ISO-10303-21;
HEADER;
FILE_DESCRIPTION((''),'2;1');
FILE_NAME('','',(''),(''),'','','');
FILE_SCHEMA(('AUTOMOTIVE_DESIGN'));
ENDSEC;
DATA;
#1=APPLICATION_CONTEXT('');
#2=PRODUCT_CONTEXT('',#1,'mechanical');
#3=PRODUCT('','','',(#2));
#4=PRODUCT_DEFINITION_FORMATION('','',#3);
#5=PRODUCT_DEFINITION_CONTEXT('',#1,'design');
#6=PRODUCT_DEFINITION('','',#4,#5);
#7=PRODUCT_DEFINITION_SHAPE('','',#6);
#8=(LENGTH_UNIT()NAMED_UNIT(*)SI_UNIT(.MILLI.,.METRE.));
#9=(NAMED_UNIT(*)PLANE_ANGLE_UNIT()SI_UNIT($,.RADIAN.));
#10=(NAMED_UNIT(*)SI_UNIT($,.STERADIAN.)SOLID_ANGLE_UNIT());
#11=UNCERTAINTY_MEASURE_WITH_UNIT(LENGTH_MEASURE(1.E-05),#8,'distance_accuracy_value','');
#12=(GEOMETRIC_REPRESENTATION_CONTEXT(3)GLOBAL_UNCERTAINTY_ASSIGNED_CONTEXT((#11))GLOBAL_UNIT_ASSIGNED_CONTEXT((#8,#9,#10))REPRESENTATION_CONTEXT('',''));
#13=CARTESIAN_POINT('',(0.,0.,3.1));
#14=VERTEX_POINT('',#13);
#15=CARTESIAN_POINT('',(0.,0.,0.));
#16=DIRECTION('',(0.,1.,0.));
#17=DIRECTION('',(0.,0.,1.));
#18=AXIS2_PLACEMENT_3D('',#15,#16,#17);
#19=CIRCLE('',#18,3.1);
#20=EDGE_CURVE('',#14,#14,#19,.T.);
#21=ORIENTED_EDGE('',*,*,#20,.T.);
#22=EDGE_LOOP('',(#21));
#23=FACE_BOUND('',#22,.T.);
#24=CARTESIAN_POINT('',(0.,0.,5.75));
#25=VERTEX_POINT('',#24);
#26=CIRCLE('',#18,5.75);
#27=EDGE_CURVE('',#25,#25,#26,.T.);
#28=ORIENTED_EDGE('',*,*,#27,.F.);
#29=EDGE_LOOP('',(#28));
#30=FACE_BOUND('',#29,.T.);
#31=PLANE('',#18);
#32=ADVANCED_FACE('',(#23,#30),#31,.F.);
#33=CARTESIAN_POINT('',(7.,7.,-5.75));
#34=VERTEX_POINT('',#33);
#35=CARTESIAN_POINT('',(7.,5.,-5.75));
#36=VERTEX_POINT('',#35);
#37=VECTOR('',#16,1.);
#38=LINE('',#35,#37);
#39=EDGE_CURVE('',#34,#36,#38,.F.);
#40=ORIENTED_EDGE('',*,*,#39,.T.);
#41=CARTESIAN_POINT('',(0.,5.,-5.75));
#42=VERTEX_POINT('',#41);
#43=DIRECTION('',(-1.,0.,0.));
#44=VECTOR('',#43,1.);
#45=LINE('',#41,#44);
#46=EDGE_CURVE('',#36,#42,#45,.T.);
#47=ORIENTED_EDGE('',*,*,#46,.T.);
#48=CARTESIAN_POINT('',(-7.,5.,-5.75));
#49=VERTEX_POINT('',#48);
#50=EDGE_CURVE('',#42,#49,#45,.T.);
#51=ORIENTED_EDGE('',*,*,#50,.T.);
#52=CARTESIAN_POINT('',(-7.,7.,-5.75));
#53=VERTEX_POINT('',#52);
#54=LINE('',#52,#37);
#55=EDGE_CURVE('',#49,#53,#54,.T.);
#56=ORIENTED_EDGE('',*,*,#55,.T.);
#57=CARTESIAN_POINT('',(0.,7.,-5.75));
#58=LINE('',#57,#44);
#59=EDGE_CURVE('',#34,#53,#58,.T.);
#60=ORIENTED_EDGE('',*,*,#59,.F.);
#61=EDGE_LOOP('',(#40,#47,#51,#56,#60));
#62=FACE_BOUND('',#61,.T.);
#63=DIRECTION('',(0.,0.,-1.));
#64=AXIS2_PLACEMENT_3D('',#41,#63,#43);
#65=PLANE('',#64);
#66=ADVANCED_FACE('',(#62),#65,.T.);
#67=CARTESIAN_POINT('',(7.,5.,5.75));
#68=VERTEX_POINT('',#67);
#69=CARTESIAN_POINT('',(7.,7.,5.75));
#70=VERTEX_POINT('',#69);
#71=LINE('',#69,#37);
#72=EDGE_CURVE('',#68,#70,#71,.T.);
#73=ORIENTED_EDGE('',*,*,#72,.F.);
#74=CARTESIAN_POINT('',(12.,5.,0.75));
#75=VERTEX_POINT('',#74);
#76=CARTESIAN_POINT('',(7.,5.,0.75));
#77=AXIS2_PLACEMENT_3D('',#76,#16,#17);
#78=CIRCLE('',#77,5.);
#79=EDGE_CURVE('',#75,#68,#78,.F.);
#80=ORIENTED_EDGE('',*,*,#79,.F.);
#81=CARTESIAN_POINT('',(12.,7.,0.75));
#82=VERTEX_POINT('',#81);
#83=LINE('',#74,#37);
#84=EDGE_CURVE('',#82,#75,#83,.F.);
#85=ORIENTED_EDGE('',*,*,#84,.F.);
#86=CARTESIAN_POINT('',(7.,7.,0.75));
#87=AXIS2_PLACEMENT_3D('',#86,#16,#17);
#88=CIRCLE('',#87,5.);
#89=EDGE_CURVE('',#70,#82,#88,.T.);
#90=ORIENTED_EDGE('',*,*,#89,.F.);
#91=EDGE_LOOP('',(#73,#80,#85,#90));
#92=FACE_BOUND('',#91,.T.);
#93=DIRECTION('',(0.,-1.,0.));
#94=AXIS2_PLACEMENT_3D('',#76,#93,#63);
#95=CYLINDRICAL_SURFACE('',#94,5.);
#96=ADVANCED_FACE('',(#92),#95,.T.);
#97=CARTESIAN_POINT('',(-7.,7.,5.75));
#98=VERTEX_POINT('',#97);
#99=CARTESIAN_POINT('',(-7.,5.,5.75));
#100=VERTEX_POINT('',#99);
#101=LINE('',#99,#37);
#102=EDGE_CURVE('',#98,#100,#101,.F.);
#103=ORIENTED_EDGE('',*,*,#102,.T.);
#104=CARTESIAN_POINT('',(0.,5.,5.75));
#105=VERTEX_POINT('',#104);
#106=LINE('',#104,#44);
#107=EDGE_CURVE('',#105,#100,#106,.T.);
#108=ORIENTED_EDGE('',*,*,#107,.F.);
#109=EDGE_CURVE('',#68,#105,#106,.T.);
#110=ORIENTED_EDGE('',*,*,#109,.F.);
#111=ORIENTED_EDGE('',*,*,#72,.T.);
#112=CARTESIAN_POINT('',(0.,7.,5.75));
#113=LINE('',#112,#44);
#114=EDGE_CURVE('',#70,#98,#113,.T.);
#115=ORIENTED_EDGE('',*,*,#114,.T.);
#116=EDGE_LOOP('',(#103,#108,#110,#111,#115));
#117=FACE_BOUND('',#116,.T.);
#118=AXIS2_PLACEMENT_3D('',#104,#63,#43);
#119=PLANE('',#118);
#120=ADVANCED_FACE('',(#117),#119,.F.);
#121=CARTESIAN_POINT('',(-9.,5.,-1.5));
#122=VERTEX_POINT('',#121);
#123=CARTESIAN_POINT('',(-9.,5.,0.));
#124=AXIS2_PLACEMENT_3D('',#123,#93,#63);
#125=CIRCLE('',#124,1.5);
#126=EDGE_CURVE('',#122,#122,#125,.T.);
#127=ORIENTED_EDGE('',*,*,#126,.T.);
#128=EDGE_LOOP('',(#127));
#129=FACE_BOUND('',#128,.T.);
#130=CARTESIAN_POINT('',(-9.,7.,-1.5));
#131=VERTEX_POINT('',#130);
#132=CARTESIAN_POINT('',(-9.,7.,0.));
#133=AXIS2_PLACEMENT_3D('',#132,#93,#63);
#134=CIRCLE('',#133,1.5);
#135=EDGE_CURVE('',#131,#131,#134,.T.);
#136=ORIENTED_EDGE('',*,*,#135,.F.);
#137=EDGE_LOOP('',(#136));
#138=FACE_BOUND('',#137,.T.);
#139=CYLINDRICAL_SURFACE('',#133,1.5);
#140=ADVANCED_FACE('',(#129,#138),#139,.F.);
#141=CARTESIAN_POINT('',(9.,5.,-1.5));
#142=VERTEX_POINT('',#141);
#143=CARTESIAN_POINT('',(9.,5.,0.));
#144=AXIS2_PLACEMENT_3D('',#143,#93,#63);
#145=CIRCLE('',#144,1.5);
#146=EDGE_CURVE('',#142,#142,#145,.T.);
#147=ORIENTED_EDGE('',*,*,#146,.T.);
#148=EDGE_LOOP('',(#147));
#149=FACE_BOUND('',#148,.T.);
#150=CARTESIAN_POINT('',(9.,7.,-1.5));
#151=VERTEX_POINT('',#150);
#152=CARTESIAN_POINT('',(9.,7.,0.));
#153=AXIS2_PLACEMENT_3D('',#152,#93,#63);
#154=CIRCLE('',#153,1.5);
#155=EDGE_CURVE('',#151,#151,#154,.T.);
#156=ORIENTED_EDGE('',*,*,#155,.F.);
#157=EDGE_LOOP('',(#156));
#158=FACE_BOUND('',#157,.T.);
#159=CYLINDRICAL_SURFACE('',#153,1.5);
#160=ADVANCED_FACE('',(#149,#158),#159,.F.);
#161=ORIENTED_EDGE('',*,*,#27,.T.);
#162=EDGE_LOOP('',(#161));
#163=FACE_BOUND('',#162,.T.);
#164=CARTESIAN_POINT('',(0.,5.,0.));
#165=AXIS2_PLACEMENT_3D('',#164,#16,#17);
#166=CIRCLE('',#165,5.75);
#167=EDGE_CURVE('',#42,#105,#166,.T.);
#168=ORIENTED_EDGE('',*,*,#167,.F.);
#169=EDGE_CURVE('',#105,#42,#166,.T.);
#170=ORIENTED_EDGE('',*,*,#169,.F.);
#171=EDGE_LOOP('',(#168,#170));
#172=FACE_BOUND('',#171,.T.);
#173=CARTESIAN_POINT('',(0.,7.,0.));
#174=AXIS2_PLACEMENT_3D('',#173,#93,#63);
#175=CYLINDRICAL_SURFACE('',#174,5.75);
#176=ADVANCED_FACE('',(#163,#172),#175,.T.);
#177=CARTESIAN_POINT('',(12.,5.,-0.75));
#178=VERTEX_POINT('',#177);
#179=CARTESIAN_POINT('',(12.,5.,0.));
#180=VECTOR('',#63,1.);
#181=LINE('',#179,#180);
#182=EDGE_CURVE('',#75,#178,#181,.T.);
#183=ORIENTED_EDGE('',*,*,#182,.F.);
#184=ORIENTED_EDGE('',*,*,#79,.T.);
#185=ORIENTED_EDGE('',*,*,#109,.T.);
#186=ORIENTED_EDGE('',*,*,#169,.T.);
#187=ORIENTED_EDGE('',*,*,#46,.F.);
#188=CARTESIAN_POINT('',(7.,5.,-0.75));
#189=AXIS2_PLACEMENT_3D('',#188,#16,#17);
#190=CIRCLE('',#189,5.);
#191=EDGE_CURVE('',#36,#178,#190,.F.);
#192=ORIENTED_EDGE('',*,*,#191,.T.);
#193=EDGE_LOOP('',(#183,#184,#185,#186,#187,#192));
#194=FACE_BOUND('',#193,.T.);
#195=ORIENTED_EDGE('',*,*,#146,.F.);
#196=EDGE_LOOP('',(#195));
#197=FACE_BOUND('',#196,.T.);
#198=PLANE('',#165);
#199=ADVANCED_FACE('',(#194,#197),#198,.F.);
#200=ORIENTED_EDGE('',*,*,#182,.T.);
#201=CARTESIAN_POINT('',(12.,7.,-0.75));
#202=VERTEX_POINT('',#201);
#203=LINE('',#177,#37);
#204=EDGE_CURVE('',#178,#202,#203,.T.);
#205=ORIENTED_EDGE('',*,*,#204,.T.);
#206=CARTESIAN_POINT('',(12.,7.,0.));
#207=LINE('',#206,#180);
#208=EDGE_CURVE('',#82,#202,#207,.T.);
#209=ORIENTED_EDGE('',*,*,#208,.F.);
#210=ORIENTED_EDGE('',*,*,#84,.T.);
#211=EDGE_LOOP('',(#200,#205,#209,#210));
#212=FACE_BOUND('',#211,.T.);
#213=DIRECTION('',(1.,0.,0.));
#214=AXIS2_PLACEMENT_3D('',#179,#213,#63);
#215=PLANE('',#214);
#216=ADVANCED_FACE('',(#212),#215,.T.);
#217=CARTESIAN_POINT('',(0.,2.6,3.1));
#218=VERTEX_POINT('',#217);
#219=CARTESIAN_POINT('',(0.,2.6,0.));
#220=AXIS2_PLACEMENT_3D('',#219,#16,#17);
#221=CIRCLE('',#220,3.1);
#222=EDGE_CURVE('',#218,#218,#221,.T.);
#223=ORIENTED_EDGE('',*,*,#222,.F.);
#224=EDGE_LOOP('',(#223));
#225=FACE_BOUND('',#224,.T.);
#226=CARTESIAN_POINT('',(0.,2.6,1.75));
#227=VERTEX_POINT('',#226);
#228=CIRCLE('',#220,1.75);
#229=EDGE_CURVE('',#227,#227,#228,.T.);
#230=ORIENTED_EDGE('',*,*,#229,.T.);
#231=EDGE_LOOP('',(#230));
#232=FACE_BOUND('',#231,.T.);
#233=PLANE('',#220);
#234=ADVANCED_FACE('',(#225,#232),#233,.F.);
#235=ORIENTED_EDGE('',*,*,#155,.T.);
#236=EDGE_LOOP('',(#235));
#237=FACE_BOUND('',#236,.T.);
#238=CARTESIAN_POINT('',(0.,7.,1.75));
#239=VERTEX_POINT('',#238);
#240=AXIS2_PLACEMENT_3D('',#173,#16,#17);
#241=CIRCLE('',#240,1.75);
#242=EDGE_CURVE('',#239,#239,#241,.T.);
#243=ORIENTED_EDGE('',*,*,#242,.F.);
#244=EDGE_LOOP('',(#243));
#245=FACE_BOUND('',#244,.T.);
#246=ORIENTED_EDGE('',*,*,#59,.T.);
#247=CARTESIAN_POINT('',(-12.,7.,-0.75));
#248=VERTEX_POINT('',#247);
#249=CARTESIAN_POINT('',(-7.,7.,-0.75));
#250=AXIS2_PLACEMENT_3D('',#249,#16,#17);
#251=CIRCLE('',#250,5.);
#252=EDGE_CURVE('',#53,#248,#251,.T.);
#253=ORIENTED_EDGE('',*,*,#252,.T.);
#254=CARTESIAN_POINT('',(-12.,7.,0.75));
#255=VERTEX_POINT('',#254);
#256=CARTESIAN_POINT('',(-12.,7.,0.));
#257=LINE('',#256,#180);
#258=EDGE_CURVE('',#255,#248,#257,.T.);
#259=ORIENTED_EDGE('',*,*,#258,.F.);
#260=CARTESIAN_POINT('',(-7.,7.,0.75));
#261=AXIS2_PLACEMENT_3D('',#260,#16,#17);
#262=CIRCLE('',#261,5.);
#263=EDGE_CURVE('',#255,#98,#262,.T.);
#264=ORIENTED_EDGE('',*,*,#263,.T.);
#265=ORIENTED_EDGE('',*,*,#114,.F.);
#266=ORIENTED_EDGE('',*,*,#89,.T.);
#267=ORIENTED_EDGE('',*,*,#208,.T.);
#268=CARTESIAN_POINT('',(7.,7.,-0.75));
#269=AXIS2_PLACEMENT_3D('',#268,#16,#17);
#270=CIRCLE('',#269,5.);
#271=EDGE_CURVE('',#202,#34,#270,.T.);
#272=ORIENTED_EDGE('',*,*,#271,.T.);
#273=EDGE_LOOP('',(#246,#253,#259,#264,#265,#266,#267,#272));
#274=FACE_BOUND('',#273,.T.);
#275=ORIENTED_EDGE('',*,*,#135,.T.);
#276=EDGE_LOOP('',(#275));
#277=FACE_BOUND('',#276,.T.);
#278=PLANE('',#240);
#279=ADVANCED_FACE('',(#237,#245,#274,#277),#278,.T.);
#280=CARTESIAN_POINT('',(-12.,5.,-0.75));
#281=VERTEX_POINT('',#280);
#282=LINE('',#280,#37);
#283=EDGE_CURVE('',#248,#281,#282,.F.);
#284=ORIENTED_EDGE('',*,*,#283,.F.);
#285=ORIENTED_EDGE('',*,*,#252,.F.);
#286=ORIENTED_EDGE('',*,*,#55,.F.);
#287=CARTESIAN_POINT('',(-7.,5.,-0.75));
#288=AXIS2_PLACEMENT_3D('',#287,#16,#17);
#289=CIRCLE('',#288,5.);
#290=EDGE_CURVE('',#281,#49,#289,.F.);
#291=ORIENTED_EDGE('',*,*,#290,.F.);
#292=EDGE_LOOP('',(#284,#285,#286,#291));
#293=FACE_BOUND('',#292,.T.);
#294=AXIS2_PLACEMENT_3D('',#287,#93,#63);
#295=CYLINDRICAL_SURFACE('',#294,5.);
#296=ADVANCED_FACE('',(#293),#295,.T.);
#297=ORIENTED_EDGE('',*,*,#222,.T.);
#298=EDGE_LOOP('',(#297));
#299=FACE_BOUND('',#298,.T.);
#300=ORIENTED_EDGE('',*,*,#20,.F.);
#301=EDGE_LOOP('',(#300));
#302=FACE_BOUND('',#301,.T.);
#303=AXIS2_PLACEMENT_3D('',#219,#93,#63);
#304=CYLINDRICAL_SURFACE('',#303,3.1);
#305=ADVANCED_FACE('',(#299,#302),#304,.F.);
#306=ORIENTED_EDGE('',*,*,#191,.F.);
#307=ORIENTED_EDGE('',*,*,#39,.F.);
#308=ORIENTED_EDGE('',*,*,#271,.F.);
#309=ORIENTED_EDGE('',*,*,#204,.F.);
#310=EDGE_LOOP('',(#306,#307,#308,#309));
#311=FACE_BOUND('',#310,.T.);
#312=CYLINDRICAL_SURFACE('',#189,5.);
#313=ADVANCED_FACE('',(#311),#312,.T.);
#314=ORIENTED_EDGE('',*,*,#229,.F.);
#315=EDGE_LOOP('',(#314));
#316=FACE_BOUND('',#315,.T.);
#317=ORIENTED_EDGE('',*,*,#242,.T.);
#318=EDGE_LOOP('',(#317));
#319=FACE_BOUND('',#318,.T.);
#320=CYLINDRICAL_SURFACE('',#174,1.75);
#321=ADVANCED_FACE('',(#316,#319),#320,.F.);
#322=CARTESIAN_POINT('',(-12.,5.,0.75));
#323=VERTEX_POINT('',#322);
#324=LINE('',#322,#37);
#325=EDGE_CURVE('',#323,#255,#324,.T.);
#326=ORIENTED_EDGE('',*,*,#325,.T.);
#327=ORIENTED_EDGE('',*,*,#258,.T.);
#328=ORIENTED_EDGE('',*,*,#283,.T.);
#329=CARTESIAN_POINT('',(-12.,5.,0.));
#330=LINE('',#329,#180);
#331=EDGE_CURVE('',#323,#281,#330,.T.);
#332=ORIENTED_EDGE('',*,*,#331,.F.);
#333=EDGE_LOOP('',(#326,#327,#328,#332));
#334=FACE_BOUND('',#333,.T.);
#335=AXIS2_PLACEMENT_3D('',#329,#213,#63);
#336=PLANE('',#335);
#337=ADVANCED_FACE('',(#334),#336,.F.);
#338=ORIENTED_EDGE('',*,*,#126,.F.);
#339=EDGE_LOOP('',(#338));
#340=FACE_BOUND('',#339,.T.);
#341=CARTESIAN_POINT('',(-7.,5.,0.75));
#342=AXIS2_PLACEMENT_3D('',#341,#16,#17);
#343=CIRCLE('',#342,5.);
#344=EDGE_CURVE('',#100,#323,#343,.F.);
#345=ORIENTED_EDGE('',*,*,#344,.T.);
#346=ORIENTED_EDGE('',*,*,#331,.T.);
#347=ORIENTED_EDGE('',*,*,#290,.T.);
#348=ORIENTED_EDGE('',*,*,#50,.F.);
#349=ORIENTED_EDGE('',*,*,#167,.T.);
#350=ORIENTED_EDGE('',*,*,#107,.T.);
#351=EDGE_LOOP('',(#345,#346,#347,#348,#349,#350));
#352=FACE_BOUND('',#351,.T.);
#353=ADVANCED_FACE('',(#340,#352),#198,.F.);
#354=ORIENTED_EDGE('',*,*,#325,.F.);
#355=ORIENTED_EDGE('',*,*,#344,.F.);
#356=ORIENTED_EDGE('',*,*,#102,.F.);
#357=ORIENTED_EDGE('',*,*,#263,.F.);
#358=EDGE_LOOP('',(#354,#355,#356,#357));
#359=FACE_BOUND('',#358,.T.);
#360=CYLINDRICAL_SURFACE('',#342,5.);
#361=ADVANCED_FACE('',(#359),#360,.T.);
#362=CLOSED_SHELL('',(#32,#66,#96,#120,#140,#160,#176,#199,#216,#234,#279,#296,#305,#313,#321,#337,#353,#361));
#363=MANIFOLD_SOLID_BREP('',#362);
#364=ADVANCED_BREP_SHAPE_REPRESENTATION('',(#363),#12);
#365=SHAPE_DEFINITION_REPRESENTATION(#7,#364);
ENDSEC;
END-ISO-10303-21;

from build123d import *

# Parameters (mm, degrees)
SKETCH_1_R          = 5.75
SKETCH_1_R_2        = 1.75
EXTRUDE_1_DEPTH     = 7
SKETCH_1_20_R       = 3.1
CUT_EXTRUDE_1_DEPTH = 2.6
EXTRUDE_START       = 5
SKETCH_1_21_W       = 24
SKETCH_1_21_H       = 11.5
SKETCH_1_21_R       = 1.75
EXTRUDE_2_DEPTH     = 2
SKETCH_2_R          = 1.5
CUT_EXTRUDE_2_DEPTH = 15.214868976
FILLET_1_R          = 5


with BuildPart() as part:
    # 草图1 → 凸台-拉伸1 (new body)
    with BuildSketch(Plane(origin=(0, 0, 0), x_dir=(1, 0, 0), z_dir=(0, 1, 0))):
        with Locations(Location((0, 0, 0), (0, 0, 270))):
            Circle(SKETCH_1_R)
        with Locations(Location((0, 0, 0), (0, 0, 270))):
            Circle(SKETCH_1_R_2, mode=Mode.SUBTRACT)
    extrude(amount=EXTRUDE_1_DEPTH)

    # 草图1<20> → 切除-拉伸1 (cut)
    with BuildSketch(Plane(origin=(0, 0, 0), x_dir=(1, 0, 0), z_dir=(0, 1, 0))):
        with Locations(Location((0, 0, 0), (0, 0, 270))):
            Circle(SKETCH_1_20_R)
    extrude(amount=CUT_EXTRUDE_1_DEPTH, mode=Mode.SUBTRACT)

    # 草图1<21> → 凸台-拉伸2 (add)
    with BuildSketch(Plane(origin=(0, 0, 0), x_dir=(1, 0, 0), z_dir=(0, 1, 0)).offset(EXTRUDE_START)):
        Rectangle(SKETCH_1_21_W, SKETCH_1_21_H)
        with Locations(Location((0, 0, 0), (0, 0, 270))):
            Circle(SKETCH_1_21_R, mode=Mode.SUBTRACT)
    extrude(amount=EXTRUDE_2_DEPTH)

    # 草图2 → 切除-拉伸2 (cut, through all)
    with BuildSketch(Plane.XZ.offset(-5)):
        with Locations(Location((-9, 0, 0), (0, 0, 270))):
            Circle(SKETCH_2_R)
        with Locations(Location((9, 0, 0), (0, 0, 270))):
            Circle(SKETCH_2_R)
    extrude(amount=-CUT_EXTRUDE_2_DEPTH, mode=Mode.SUBTRACT)

    # 圆角1
    fillet_1_edges = [part.edges().sort_by_distance(p)[0] for p in [
        (12, 6, 5.75),
        (-12, 6, 5.75),
        (-12, 6, -5.75),
        (12, 6, -5.75),
    ]]
    fillet(fillet_1_edges, radius=FILLET_1_R)


solid = part.part
